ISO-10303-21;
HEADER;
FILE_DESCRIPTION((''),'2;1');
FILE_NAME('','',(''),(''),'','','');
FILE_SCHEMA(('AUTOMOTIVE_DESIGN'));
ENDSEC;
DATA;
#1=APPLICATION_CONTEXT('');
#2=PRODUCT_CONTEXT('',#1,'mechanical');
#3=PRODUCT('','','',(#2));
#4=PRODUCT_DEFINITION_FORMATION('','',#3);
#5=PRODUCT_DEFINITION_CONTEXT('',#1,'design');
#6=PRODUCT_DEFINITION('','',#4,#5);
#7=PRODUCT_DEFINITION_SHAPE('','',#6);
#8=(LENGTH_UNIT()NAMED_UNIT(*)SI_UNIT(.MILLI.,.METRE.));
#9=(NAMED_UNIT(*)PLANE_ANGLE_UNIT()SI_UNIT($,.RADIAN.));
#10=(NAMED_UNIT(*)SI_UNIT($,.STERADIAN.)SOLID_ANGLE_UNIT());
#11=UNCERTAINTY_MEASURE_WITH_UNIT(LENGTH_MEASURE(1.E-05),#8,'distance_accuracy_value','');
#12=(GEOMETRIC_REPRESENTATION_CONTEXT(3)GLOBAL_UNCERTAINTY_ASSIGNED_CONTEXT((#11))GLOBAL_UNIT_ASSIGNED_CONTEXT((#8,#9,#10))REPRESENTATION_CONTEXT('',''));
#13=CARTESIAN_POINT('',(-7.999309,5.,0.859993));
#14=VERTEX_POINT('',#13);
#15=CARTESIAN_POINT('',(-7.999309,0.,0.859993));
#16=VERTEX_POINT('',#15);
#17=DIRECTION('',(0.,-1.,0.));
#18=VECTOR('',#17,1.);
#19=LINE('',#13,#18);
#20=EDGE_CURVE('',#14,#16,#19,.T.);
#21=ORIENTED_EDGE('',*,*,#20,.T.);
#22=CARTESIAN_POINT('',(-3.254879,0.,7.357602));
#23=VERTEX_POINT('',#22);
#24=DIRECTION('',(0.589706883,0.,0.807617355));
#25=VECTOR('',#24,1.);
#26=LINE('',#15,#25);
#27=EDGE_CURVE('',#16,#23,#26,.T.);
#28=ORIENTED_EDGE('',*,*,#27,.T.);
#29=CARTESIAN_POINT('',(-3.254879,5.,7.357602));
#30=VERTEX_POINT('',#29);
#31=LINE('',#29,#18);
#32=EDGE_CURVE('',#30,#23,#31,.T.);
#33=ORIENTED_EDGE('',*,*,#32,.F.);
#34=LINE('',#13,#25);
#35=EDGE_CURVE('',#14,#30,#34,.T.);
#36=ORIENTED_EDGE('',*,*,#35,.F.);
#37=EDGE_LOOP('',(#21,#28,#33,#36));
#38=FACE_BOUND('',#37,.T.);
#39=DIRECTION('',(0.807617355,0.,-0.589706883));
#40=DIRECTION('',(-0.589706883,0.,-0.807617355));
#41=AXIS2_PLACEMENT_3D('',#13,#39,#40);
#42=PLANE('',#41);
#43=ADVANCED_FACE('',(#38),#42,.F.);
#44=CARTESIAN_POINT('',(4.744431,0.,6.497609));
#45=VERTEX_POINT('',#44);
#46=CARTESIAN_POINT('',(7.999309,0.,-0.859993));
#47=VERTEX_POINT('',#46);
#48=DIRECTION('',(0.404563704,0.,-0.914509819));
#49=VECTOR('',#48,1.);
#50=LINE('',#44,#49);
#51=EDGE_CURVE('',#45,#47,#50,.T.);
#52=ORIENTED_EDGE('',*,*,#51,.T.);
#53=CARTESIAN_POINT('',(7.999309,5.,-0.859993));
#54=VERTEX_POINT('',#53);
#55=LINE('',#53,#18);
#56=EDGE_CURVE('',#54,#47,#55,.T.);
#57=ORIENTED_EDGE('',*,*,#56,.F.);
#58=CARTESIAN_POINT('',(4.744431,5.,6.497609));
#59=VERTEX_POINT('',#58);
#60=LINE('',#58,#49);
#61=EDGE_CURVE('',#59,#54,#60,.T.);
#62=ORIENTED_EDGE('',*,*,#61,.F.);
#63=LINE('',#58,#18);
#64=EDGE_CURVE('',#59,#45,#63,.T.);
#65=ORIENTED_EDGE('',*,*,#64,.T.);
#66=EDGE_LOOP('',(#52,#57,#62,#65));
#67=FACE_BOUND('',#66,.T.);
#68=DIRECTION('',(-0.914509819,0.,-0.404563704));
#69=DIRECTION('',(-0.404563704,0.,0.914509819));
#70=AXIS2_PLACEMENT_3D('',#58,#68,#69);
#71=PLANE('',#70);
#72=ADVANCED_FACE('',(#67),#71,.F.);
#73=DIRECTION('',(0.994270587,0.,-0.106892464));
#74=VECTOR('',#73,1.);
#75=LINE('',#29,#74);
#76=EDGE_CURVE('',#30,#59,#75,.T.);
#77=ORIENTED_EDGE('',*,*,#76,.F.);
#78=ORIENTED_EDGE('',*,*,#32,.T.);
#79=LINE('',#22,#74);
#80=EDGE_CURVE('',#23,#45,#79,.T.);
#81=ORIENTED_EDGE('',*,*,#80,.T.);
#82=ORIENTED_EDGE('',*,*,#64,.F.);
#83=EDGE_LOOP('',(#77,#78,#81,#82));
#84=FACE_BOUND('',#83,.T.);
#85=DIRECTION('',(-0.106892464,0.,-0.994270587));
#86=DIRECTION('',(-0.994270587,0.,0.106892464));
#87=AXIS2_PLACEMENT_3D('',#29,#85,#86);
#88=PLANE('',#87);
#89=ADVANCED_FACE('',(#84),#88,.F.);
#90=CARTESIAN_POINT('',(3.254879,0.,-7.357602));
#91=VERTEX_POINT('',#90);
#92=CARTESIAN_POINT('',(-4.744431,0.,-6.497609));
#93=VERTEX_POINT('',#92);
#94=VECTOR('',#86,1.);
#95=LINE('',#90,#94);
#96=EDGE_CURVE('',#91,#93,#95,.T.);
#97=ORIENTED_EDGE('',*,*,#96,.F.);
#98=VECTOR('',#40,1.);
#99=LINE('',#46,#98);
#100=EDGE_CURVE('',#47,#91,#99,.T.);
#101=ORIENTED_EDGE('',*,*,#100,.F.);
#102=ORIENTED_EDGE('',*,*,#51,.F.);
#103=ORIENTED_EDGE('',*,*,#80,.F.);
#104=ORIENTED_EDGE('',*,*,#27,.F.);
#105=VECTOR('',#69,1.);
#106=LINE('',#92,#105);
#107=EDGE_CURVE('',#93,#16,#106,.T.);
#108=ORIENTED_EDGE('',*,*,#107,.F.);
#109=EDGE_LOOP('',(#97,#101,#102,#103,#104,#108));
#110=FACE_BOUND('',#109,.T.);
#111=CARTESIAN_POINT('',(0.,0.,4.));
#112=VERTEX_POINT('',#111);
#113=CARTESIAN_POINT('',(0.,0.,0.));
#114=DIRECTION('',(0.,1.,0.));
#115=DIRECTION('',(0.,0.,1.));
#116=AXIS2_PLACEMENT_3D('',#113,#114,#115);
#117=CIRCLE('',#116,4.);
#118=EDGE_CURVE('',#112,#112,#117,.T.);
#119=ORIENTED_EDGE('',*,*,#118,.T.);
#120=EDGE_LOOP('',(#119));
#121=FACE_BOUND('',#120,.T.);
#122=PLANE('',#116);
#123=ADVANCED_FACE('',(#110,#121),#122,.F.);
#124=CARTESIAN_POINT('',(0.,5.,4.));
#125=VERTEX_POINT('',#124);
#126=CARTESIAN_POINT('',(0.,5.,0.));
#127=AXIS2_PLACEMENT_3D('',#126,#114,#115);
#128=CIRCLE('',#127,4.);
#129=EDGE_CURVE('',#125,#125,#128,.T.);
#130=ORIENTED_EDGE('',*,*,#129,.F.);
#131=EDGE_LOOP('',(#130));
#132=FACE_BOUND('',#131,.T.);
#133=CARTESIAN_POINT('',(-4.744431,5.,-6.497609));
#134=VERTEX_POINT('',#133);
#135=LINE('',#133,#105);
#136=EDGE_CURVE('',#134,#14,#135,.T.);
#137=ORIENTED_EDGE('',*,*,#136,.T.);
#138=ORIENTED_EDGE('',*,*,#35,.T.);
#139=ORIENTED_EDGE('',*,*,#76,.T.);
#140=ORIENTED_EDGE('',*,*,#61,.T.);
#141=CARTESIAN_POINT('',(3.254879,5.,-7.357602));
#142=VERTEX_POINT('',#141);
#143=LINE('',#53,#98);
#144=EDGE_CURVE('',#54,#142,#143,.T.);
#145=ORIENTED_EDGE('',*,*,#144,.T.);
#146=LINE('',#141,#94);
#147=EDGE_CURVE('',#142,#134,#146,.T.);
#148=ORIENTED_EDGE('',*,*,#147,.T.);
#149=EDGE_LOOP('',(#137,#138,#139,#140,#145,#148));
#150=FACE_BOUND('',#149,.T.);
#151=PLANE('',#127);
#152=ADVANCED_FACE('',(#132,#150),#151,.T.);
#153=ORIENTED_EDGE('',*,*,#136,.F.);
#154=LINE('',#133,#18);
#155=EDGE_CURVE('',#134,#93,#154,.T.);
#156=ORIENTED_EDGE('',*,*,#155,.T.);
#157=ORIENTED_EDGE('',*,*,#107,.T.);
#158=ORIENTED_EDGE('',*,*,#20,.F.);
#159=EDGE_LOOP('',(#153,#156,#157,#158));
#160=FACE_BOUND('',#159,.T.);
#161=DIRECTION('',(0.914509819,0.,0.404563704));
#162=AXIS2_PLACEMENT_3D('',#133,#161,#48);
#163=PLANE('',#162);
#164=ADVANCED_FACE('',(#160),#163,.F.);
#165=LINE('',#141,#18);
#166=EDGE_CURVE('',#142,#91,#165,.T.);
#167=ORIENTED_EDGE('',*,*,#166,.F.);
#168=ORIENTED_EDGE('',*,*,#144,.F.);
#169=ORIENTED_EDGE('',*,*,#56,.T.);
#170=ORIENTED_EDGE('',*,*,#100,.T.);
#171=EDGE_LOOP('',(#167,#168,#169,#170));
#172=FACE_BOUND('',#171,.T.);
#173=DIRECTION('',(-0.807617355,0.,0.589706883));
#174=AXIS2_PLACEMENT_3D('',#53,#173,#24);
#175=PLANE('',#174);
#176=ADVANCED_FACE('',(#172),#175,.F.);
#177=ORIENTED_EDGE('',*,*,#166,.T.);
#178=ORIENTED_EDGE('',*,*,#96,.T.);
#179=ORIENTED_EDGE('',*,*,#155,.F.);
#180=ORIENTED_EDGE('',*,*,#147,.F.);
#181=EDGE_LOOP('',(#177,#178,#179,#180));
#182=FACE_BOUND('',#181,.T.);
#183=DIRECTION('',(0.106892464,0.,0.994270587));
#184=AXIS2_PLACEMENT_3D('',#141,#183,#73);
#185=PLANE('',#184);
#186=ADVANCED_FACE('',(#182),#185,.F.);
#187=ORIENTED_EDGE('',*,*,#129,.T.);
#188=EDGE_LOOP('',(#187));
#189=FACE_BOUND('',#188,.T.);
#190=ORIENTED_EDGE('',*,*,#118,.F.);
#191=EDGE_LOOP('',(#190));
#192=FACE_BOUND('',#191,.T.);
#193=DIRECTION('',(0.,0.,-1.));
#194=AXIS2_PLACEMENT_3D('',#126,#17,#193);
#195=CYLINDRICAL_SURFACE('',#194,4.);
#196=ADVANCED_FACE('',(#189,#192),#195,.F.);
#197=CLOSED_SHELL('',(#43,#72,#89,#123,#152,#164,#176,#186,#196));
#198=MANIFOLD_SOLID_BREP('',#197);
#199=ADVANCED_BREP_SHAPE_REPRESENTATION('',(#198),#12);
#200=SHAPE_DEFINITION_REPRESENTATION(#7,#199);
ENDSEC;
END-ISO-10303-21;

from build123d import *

# Parameters (mm, degrees)
SKETCH1_R           = 4
BOSS_EXTRUDE1_DEPTH = 5


with BuildPart() as part:
    # Sketch1 → Boss-Extrude1 (new body)
    with BuildSketch(Plane(origin=(0, 0, 0), x_dir=(1, 0, 0), z_dir=(0, 1, 0))):
        Polygon((4.744430624, -6.497608589), (7.999309414, 0.859993152), (3.25487879, 7.357601742), (-4.744430624, 6.497608589), (-7.999309414, -0.859993152), (-3.25487879, -7.357601742), align=None)
        with Locations(Location((0, 0, 0), (0, 0, 270))):
            Circle(SKETCH1_R, mode=Mode.SUBTRACT)
    extrude(amount=BOSS_EXTRUDE1_DEPTH)


solid = part.part
